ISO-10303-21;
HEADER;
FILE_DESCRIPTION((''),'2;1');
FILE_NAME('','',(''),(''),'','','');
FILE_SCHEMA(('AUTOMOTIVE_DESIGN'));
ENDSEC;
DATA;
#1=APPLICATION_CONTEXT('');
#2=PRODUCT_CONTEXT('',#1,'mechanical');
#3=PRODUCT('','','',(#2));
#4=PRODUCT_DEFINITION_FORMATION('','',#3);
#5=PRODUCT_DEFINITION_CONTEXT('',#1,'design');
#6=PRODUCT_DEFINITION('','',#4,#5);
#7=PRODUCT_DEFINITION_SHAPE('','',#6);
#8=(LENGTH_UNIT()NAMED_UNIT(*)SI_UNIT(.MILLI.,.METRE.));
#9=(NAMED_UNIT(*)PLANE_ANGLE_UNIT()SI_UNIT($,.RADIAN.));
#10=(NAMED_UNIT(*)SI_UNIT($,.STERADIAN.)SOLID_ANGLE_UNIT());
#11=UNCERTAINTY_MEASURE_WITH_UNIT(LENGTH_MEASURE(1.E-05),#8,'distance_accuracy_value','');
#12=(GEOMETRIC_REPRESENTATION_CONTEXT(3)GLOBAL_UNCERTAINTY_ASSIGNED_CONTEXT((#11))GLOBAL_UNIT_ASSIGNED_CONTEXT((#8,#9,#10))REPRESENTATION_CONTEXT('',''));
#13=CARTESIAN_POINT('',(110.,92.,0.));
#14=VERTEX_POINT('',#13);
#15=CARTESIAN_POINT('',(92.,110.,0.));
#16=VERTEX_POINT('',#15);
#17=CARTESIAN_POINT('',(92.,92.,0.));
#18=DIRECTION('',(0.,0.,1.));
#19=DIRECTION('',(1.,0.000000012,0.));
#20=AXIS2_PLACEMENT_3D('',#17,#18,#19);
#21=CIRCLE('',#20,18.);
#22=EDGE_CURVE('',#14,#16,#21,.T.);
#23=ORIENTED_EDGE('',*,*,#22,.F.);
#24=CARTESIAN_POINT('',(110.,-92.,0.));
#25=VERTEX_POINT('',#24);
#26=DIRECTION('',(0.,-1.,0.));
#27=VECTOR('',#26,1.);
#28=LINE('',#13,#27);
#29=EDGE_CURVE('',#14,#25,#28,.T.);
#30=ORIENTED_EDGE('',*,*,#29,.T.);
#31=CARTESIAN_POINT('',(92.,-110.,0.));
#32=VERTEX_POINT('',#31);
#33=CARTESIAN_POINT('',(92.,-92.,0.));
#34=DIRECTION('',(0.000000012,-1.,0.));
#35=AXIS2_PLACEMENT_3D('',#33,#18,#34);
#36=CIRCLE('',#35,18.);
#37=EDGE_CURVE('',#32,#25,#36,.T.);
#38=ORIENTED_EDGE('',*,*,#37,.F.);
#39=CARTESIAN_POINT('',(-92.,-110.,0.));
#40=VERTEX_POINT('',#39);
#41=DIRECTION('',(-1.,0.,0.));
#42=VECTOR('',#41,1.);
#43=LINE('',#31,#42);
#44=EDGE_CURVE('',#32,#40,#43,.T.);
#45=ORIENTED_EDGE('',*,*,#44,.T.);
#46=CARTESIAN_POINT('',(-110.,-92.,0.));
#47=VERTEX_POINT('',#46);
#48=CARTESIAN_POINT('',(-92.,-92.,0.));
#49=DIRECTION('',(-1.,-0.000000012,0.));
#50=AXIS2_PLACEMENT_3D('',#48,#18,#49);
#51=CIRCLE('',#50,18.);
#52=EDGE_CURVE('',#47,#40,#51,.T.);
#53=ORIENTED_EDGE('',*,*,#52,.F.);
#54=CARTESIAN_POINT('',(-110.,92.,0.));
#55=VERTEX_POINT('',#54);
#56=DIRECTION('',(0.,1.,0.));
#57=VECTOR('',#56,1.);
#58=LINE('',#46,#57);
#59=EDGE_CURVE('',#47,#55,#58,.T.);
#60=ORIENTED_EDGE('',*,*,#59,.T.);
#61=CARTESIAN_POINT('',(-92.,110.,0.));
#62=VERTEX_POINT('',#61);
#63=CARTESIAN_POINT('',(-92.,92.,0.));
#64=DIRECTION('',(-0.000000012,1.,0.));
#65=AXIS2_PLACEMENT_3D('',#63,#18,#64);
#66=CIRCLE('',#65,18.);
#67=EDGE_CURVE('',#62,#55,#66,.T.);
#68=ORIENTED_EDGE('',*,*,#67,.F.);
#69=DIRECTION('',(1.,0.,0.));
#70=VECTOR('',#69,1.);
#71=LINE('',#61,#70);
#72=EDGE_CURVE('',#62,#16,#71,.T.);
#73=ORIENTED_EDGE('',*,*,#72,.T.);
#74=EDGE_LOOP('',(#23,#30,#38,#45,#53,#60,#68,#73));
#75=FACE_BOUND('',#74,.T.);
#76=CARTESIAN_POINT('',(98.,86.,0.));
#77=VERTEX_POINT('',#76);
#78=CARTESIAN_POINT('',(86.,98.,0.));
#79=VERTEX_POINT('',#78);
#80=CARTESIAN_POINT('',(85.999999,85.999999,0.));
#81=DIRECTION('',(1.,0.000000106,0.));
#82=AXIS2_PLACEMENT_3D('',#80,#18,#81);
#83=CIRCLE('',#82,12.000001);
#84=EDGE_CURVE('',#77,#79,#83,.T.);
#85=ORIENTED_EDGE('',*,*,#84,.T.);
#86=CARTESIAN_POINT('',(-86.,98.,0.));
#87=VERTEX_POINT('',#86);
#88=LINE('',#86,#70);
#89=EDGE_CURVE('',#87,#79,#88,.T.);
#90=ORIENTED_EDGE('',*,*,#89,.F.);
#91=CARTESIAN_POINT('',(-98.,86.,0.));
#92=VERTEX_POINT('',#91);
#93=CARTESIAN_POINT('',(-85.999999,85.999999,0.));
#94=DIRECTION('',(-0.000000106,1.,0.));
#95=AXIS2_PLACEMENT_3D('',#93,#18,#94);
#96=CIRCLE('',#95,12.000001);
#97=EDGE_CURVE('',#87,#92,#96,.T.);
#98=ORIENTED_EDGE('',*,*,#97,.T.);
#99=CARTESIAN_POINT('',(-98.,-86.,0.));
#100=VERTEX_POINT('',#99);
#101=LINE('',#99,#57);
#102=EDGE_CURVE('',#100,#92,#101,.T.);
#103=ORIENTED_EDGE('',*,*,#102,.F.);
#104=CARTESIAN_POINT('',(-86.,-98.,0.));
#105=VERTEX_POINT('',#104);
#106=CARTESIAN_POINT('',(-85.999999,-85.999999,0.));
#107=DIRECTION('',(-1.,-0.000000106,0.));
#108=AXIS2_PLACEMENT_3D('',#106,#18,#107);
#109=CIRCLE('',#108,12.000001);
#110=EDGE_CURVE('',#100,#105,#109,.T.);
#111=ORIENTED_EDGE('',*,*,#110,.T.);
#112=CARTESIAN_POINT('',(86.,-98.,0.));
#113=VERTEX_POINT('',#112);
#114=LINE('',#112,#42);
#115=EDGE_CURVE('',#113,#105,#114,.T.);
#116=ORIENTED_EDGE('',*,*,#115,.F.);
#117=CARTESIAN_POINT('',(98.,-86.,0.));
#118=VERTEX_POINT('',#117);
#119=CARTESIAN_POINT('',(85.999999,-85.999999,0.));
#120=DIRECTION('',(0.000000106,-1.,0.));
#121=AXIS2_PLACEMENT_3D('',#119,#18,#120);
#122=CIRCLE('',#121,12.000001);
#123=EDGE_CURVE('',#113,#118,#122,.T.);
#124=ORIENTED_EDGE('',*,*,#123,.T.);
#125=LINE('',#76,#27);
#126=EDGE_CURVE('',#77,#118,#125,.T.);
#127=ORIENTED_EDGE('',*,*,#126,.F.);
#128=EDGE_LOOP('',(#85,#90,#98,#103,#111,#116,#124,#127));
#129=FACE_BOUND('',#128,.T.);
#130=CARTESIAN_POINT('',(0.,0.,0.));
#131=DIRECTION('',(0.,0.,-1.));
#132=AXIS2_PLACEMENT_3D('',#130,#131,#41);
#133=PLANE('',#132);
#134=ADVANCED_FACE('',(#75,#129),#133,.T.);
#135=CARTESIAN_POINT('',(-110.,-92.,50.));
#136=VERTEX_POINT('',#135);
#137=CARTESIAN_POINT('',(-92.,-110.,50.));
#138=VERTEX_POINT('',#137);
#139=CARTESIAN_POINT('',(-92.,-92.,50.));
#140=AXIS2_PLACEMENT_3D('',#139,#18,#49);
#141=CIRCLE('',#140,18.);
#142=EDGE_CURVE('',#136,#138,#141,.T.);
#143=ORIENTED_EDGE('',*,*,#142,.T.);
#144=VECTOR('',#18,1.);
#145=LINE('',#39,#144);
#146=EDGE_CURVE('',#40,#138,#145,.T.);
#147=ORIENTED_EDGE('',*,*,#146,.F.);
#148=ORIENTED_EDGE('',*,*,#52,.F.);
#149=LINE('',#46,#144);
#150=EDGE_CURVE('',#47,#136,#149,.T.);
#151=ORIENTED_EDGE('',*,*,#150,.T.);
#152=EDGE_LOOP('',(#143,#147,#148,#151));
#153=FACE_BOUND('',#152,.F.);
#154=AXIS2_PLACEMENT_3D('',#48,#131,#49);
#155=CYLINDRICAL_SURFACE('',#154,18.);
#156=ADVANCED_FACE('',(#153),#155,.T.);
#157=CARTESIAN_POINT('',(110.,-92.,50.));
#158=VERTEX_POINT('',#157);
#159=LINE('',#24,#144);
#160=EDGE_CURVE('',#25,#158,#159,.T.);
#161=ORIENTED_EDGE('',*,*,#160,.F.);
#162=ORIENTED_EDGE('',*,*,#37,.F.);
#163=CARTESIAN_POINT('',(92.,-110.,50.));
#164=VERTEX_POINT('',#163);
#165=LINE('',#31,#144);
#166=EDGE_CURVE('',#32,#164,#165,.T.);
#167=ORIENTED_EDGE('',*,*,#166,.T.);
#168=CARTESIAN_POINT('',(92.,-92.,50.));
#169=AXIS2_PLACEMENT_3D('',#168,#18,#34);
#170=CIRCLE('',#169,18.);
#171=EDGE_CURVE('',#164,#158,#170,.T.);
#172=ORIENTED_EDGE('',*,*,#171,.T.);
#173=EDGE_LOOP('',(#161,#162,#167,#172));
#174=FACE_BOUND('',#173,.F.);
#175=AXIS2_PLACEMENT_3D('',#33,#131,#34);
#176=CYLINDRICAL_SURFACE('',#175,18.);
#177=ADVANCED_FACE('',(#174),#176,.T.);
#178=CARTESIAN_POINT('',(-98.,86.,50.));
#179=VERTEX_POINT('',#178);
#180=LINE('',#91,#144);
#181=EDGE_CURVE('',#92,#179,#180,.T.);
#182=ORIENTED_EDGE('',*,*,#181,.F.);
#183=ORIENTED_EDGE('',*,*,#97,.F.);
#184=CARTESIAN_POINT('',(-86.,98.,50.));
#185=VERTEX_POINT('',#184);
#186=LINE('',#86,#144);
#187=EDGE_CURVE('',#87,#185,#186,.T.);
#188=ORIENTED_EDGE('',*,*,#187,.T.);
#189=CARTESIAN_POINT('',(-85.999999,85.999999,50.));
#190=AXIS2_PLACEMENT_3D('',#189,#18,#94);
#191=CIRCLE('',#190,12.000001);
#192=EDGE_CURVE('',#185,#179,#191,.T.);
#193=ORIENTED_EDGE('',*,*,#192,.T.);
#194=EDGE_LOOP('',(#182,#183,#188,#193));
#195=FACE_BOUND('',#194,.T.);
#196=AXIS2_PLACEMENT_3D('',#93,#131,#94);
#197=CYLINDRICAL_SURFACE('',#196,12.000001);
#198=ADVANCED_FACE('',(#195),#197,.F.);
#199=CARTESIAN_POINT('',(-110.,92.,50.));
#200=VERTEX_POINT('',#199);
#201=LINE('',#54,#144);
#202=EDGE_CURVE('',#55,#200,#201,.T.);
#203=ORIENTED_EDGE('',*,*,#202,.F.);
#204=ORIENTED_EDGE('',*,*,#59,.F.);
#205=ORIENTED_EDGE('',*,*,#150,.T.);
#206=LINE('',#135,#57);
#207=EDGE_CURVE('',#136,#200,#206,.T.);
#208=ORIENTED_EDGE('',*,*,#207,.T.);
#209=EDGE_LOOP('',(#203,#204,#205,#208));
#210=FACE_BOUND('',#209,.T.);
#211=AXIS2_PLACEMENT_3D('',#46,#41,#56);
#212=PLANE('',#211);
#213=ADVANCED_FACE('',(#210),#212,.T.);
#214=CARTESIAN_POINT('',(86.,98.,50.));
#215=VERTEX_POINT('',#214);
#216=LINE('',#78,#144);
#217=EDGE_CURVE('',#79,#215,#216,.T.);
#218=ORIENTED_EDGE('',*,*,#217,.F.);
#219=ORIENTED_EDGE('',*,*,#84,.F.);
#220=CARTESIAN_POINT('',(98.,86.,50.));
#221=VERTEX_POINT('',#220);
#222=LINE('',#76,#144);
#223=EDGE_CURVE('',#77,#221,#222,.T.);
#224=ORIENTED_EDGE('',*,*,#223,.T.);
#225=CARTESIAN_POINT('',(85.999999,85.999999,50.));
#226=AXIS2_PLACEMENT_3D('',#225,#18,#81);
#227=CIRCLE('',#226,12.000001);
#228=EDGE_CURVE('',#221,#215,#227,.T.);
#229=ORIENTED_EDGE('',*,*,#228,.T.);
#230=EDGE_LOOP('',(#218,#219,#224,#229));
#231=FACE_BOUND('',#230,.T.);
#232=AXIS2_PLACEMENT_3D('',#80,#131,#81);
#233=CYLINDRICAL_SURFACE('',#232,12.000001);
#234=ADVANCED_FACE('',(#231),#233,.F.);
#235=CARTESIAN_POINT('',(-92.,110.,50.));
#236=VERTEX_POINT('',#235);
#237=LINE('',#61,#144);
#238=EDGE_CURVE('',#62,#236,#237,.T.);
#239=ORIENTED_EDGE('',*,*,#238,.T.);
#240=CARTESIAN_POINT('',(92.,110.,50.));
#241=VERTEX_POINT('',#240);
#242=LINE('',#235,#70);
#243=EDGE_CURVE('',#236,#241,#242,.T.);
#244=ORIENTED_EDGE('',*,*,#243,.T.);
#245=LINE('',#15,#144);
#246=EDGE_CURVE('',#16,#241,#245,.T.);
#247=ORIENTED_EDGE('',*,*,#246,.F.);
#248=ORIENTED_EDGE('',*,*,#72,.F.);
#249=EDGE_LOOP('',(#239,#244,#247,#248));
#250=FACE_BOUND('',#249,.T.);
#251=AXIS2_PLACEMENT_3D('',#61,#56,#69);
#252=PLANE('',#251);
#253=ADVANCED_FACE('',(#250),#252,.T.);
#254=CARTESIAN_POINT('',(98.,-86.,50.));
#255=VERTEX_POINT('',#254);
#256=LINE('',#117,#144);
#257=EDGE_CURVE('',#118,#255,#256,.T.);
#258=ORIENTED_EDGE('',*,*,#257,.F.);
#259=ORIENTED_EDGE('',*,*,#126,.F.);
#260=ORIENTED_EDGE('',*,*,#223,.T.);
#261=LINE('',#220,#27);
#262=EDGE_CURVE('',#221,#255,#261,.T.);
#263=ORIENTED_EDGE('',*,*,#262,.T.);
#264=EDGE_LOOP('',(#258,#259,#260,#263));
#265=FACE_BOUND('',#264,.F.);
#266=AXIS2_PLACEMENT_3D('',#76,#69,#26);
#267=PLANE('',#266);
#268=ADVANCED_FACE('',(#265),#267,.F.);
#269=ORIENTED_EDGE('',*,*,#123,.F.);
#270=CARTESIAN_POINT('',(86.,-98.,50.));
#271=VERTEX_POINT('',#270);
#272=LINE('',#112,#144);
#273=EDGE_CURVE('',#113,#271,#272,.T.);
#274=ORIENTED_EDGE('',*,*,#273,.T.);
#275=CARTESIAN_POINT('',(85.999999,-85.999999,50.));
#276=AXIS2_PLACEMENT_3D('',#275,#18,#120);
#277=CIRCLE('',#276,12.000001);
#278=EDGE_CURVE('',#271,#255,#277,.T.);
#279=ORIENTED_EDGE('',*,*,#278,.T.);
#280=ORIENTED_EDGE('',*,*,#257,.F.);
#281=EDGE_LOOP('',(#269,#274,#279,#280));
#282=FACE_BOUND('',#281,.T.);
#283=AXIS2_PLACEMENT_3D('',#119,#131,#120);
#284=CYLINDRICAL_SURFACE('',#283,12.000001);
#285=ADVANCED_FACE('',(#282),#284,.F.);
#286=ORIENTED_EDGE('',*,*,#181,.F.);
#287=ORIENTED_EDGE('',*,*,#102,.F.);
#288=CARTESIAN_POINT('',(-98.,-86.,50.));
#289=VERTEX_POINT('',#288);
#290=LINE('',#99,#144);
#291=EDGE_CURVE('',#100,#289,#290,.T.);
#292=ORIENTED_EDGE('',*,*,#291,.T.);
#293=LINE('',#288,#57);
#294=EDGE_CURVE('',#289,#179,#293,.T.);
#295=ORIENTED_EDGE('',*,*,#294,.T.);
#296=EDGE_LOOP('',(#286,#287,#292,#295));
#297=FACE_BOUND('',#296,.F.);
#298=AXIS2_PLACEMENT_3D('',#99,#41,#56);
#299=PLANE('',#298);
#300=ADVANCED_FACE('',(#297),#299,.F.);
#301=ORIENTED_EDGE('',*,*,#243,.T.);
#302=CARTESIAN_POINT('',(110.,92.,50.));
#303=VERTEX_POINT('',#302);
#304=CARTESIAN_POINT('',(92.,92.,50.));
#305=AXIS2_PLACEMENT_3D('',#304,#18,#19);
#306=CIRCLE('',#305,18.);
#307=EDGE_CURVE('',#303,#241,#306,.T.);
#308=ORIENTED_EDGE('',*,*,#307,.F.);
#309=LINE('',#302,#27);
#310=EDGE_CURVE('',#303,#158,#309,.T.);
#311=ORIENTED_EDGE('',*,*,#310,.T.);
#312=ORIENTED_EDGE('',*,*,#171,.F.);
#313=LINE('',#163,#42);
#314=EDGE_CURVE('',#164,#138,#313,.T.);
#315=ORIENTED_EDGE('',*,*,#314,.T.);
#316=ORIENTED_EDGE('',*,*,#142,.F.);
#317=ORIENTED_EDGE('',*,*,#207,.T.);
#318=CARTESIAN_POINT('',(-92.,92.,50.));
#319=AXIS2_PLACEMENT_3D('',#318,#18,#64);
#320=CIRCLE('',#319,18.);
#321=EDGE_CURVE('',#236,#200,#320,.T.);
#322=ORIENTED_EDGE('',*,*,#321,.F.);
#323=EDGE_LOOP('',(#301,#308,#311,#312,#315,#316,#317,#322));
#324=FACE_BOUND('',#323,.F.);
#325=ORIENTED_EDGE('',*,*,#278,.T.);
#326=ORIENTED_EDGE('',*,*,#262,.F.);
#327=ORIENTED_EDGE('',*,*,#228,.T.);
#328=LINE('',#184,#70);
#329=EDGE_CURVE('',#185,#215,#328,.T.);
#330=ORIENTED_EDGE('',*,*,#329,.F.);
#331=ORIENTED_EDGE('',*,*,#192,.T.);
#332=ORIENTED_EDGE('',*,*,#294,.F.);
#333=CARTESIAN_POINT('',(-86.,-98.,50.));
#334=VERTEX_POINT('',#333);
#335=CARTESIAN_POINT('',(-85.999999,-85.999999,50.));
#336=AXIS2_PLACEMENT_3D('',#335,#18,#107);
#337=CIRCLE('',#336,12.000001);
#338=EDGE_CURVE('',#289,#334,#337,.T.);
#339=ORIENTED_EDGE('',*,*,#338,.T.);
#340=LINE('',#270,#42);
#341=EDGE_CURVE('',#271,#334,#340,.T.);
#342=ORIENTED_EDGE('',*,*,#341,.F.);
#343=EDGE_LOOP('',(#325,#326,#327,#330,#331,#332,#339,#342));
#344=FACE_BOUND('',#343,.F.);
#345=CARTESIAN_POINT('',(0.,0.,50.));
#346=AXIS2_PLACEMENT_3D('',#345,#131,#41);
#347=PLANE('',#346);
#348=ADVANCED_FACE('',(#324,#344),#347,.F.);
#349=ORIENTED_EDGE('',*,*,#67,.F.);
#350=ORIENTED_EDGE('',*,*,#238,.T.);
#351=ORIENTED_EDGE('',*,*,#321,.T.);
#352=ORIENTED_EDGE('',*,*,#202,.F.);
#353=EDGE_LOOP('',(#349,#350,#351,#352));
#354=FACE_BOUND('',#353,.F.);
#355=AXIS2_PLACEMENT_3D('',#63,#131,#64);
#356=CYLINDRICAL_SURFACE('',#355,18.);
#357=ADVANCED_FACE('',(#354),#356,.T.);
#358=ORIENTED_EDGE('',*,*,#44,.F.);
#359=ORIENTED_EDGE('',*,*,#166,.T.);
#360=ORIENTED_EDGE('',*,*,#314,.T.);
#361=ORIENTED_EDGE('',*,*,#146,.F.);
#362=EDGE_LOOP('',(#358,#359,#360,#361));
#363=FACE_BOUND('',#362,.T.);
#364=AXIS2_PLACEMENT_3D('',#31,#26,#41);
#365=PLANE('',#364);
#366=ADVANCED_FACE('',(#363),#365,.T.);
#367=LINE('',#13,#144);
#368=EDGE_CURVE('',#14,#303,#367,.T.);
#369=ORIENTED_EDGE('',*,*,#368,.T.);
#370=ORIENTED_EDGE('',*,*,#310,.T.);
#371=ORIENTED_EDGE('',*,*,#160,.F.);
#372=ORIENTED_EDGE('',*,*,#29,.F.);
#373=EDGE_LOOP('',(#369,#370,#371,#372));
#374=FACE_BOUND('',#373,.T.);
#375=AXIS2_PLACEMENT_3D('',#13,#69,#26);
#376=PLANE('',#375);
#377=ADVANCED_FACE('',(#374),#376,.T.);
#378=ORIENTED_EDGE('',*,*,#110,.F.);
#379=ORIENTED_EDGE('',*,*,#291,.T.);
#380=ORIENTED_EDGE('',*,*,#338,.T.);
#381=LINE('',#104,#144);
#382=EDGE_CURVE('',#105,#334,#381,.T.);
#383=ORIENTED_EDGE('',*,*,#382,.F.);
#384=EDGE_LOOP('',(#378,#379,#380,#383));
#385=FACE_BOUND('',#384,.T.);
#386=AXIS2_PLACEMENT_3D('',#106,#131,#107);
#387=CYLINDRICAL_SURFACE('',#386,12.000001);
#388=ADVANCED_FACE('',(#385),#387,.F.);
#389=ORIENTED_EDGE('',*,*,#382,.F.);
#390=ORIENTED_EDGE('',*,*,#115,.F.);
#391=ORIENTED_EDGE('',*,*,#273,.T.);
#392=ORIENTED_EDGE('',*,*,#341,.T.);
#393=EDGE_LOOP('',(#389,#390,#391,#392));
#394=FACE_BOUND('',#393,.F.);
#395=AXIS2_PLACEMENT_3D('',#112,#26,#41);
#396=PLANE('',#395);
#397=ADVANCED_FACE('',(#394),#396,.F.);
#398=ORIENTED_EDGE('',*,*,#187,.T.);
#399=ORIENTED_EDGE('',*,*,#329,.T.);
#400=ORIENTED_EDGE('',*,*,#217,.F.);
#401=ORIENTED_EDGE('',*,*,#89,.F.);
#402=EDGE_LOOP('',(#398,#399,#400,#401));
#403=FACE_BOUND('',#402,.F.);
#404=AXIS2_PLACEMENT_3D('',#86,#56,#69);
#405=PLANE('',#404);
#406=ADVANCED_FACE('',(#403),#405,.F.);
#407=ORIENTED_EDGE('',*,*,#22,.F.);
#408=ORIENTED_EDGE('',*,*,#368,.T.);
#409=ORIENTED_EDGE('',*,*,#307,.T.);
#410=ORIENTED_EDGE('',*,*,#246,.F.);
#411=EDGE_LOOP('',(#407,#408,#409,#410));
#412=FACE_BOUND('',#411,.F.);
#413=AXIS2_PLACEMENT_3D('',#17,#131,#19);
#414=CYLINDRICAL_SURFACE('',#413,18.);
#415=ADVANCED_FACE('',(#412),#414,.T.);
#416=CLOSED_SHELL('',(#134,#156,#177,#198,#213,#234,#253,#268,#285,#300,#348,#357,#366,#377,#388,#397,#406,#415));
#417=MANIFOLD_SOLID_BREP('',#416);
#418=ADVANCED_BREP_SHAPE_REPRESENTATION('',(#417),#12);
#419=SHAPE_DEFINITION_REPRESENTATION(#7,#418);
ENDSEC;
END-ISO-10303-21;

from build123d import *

# Parameters (mm, degrees)
EXTRUDE_DEPTH = 50


with BuildPart() as part:
    # Sketch → Extrude (new body)
    with BuildSketch(Plane.XY):
        with BuildLine():
            Line((-92, 110), (92, 110))
            ThreePointArc((110, 92), (104.727922, 104.727922), (92, 110))
            Line((110, 92), (110, -92))
            ThreePointArc((92, -110), (104.727922, -104.727922), (110, -92))
            Line((92, -110), (-92, -110))
            ThreePointArc((-110, -92), (-104.727922, -104.727922), (-92, -110))
            Line((-110, -92), (-110, 92))
            ThreePointArc((-92, 110), (-104.727922, 104.727922), (-110, 92))
        make_face()
        with BuildLine():
            Line((-86, 98), (86, 98))
            ThreePointArc((98, 86), (94.485281, 94.485281), (86, 98))
            Line((98, 86), (98, -86))
            ThreePointArc((86, -98), (94.485281, -94.485281), (98, -86))
            Line((86, -98), (-86, -98))
            ThreePointArc((-98, -86), (-94.485281, -94.485281), (-86, -98))
            Line((-98, -86), (-98, 86))
            ThreePointArc((-86, 98), (-94.485281, 94.485281), (-98, 86))
        make_face(mode=Mode.SUBTRACT)
    extrude(amount=EXTRUDE_DEPTH)


solid = part.part
